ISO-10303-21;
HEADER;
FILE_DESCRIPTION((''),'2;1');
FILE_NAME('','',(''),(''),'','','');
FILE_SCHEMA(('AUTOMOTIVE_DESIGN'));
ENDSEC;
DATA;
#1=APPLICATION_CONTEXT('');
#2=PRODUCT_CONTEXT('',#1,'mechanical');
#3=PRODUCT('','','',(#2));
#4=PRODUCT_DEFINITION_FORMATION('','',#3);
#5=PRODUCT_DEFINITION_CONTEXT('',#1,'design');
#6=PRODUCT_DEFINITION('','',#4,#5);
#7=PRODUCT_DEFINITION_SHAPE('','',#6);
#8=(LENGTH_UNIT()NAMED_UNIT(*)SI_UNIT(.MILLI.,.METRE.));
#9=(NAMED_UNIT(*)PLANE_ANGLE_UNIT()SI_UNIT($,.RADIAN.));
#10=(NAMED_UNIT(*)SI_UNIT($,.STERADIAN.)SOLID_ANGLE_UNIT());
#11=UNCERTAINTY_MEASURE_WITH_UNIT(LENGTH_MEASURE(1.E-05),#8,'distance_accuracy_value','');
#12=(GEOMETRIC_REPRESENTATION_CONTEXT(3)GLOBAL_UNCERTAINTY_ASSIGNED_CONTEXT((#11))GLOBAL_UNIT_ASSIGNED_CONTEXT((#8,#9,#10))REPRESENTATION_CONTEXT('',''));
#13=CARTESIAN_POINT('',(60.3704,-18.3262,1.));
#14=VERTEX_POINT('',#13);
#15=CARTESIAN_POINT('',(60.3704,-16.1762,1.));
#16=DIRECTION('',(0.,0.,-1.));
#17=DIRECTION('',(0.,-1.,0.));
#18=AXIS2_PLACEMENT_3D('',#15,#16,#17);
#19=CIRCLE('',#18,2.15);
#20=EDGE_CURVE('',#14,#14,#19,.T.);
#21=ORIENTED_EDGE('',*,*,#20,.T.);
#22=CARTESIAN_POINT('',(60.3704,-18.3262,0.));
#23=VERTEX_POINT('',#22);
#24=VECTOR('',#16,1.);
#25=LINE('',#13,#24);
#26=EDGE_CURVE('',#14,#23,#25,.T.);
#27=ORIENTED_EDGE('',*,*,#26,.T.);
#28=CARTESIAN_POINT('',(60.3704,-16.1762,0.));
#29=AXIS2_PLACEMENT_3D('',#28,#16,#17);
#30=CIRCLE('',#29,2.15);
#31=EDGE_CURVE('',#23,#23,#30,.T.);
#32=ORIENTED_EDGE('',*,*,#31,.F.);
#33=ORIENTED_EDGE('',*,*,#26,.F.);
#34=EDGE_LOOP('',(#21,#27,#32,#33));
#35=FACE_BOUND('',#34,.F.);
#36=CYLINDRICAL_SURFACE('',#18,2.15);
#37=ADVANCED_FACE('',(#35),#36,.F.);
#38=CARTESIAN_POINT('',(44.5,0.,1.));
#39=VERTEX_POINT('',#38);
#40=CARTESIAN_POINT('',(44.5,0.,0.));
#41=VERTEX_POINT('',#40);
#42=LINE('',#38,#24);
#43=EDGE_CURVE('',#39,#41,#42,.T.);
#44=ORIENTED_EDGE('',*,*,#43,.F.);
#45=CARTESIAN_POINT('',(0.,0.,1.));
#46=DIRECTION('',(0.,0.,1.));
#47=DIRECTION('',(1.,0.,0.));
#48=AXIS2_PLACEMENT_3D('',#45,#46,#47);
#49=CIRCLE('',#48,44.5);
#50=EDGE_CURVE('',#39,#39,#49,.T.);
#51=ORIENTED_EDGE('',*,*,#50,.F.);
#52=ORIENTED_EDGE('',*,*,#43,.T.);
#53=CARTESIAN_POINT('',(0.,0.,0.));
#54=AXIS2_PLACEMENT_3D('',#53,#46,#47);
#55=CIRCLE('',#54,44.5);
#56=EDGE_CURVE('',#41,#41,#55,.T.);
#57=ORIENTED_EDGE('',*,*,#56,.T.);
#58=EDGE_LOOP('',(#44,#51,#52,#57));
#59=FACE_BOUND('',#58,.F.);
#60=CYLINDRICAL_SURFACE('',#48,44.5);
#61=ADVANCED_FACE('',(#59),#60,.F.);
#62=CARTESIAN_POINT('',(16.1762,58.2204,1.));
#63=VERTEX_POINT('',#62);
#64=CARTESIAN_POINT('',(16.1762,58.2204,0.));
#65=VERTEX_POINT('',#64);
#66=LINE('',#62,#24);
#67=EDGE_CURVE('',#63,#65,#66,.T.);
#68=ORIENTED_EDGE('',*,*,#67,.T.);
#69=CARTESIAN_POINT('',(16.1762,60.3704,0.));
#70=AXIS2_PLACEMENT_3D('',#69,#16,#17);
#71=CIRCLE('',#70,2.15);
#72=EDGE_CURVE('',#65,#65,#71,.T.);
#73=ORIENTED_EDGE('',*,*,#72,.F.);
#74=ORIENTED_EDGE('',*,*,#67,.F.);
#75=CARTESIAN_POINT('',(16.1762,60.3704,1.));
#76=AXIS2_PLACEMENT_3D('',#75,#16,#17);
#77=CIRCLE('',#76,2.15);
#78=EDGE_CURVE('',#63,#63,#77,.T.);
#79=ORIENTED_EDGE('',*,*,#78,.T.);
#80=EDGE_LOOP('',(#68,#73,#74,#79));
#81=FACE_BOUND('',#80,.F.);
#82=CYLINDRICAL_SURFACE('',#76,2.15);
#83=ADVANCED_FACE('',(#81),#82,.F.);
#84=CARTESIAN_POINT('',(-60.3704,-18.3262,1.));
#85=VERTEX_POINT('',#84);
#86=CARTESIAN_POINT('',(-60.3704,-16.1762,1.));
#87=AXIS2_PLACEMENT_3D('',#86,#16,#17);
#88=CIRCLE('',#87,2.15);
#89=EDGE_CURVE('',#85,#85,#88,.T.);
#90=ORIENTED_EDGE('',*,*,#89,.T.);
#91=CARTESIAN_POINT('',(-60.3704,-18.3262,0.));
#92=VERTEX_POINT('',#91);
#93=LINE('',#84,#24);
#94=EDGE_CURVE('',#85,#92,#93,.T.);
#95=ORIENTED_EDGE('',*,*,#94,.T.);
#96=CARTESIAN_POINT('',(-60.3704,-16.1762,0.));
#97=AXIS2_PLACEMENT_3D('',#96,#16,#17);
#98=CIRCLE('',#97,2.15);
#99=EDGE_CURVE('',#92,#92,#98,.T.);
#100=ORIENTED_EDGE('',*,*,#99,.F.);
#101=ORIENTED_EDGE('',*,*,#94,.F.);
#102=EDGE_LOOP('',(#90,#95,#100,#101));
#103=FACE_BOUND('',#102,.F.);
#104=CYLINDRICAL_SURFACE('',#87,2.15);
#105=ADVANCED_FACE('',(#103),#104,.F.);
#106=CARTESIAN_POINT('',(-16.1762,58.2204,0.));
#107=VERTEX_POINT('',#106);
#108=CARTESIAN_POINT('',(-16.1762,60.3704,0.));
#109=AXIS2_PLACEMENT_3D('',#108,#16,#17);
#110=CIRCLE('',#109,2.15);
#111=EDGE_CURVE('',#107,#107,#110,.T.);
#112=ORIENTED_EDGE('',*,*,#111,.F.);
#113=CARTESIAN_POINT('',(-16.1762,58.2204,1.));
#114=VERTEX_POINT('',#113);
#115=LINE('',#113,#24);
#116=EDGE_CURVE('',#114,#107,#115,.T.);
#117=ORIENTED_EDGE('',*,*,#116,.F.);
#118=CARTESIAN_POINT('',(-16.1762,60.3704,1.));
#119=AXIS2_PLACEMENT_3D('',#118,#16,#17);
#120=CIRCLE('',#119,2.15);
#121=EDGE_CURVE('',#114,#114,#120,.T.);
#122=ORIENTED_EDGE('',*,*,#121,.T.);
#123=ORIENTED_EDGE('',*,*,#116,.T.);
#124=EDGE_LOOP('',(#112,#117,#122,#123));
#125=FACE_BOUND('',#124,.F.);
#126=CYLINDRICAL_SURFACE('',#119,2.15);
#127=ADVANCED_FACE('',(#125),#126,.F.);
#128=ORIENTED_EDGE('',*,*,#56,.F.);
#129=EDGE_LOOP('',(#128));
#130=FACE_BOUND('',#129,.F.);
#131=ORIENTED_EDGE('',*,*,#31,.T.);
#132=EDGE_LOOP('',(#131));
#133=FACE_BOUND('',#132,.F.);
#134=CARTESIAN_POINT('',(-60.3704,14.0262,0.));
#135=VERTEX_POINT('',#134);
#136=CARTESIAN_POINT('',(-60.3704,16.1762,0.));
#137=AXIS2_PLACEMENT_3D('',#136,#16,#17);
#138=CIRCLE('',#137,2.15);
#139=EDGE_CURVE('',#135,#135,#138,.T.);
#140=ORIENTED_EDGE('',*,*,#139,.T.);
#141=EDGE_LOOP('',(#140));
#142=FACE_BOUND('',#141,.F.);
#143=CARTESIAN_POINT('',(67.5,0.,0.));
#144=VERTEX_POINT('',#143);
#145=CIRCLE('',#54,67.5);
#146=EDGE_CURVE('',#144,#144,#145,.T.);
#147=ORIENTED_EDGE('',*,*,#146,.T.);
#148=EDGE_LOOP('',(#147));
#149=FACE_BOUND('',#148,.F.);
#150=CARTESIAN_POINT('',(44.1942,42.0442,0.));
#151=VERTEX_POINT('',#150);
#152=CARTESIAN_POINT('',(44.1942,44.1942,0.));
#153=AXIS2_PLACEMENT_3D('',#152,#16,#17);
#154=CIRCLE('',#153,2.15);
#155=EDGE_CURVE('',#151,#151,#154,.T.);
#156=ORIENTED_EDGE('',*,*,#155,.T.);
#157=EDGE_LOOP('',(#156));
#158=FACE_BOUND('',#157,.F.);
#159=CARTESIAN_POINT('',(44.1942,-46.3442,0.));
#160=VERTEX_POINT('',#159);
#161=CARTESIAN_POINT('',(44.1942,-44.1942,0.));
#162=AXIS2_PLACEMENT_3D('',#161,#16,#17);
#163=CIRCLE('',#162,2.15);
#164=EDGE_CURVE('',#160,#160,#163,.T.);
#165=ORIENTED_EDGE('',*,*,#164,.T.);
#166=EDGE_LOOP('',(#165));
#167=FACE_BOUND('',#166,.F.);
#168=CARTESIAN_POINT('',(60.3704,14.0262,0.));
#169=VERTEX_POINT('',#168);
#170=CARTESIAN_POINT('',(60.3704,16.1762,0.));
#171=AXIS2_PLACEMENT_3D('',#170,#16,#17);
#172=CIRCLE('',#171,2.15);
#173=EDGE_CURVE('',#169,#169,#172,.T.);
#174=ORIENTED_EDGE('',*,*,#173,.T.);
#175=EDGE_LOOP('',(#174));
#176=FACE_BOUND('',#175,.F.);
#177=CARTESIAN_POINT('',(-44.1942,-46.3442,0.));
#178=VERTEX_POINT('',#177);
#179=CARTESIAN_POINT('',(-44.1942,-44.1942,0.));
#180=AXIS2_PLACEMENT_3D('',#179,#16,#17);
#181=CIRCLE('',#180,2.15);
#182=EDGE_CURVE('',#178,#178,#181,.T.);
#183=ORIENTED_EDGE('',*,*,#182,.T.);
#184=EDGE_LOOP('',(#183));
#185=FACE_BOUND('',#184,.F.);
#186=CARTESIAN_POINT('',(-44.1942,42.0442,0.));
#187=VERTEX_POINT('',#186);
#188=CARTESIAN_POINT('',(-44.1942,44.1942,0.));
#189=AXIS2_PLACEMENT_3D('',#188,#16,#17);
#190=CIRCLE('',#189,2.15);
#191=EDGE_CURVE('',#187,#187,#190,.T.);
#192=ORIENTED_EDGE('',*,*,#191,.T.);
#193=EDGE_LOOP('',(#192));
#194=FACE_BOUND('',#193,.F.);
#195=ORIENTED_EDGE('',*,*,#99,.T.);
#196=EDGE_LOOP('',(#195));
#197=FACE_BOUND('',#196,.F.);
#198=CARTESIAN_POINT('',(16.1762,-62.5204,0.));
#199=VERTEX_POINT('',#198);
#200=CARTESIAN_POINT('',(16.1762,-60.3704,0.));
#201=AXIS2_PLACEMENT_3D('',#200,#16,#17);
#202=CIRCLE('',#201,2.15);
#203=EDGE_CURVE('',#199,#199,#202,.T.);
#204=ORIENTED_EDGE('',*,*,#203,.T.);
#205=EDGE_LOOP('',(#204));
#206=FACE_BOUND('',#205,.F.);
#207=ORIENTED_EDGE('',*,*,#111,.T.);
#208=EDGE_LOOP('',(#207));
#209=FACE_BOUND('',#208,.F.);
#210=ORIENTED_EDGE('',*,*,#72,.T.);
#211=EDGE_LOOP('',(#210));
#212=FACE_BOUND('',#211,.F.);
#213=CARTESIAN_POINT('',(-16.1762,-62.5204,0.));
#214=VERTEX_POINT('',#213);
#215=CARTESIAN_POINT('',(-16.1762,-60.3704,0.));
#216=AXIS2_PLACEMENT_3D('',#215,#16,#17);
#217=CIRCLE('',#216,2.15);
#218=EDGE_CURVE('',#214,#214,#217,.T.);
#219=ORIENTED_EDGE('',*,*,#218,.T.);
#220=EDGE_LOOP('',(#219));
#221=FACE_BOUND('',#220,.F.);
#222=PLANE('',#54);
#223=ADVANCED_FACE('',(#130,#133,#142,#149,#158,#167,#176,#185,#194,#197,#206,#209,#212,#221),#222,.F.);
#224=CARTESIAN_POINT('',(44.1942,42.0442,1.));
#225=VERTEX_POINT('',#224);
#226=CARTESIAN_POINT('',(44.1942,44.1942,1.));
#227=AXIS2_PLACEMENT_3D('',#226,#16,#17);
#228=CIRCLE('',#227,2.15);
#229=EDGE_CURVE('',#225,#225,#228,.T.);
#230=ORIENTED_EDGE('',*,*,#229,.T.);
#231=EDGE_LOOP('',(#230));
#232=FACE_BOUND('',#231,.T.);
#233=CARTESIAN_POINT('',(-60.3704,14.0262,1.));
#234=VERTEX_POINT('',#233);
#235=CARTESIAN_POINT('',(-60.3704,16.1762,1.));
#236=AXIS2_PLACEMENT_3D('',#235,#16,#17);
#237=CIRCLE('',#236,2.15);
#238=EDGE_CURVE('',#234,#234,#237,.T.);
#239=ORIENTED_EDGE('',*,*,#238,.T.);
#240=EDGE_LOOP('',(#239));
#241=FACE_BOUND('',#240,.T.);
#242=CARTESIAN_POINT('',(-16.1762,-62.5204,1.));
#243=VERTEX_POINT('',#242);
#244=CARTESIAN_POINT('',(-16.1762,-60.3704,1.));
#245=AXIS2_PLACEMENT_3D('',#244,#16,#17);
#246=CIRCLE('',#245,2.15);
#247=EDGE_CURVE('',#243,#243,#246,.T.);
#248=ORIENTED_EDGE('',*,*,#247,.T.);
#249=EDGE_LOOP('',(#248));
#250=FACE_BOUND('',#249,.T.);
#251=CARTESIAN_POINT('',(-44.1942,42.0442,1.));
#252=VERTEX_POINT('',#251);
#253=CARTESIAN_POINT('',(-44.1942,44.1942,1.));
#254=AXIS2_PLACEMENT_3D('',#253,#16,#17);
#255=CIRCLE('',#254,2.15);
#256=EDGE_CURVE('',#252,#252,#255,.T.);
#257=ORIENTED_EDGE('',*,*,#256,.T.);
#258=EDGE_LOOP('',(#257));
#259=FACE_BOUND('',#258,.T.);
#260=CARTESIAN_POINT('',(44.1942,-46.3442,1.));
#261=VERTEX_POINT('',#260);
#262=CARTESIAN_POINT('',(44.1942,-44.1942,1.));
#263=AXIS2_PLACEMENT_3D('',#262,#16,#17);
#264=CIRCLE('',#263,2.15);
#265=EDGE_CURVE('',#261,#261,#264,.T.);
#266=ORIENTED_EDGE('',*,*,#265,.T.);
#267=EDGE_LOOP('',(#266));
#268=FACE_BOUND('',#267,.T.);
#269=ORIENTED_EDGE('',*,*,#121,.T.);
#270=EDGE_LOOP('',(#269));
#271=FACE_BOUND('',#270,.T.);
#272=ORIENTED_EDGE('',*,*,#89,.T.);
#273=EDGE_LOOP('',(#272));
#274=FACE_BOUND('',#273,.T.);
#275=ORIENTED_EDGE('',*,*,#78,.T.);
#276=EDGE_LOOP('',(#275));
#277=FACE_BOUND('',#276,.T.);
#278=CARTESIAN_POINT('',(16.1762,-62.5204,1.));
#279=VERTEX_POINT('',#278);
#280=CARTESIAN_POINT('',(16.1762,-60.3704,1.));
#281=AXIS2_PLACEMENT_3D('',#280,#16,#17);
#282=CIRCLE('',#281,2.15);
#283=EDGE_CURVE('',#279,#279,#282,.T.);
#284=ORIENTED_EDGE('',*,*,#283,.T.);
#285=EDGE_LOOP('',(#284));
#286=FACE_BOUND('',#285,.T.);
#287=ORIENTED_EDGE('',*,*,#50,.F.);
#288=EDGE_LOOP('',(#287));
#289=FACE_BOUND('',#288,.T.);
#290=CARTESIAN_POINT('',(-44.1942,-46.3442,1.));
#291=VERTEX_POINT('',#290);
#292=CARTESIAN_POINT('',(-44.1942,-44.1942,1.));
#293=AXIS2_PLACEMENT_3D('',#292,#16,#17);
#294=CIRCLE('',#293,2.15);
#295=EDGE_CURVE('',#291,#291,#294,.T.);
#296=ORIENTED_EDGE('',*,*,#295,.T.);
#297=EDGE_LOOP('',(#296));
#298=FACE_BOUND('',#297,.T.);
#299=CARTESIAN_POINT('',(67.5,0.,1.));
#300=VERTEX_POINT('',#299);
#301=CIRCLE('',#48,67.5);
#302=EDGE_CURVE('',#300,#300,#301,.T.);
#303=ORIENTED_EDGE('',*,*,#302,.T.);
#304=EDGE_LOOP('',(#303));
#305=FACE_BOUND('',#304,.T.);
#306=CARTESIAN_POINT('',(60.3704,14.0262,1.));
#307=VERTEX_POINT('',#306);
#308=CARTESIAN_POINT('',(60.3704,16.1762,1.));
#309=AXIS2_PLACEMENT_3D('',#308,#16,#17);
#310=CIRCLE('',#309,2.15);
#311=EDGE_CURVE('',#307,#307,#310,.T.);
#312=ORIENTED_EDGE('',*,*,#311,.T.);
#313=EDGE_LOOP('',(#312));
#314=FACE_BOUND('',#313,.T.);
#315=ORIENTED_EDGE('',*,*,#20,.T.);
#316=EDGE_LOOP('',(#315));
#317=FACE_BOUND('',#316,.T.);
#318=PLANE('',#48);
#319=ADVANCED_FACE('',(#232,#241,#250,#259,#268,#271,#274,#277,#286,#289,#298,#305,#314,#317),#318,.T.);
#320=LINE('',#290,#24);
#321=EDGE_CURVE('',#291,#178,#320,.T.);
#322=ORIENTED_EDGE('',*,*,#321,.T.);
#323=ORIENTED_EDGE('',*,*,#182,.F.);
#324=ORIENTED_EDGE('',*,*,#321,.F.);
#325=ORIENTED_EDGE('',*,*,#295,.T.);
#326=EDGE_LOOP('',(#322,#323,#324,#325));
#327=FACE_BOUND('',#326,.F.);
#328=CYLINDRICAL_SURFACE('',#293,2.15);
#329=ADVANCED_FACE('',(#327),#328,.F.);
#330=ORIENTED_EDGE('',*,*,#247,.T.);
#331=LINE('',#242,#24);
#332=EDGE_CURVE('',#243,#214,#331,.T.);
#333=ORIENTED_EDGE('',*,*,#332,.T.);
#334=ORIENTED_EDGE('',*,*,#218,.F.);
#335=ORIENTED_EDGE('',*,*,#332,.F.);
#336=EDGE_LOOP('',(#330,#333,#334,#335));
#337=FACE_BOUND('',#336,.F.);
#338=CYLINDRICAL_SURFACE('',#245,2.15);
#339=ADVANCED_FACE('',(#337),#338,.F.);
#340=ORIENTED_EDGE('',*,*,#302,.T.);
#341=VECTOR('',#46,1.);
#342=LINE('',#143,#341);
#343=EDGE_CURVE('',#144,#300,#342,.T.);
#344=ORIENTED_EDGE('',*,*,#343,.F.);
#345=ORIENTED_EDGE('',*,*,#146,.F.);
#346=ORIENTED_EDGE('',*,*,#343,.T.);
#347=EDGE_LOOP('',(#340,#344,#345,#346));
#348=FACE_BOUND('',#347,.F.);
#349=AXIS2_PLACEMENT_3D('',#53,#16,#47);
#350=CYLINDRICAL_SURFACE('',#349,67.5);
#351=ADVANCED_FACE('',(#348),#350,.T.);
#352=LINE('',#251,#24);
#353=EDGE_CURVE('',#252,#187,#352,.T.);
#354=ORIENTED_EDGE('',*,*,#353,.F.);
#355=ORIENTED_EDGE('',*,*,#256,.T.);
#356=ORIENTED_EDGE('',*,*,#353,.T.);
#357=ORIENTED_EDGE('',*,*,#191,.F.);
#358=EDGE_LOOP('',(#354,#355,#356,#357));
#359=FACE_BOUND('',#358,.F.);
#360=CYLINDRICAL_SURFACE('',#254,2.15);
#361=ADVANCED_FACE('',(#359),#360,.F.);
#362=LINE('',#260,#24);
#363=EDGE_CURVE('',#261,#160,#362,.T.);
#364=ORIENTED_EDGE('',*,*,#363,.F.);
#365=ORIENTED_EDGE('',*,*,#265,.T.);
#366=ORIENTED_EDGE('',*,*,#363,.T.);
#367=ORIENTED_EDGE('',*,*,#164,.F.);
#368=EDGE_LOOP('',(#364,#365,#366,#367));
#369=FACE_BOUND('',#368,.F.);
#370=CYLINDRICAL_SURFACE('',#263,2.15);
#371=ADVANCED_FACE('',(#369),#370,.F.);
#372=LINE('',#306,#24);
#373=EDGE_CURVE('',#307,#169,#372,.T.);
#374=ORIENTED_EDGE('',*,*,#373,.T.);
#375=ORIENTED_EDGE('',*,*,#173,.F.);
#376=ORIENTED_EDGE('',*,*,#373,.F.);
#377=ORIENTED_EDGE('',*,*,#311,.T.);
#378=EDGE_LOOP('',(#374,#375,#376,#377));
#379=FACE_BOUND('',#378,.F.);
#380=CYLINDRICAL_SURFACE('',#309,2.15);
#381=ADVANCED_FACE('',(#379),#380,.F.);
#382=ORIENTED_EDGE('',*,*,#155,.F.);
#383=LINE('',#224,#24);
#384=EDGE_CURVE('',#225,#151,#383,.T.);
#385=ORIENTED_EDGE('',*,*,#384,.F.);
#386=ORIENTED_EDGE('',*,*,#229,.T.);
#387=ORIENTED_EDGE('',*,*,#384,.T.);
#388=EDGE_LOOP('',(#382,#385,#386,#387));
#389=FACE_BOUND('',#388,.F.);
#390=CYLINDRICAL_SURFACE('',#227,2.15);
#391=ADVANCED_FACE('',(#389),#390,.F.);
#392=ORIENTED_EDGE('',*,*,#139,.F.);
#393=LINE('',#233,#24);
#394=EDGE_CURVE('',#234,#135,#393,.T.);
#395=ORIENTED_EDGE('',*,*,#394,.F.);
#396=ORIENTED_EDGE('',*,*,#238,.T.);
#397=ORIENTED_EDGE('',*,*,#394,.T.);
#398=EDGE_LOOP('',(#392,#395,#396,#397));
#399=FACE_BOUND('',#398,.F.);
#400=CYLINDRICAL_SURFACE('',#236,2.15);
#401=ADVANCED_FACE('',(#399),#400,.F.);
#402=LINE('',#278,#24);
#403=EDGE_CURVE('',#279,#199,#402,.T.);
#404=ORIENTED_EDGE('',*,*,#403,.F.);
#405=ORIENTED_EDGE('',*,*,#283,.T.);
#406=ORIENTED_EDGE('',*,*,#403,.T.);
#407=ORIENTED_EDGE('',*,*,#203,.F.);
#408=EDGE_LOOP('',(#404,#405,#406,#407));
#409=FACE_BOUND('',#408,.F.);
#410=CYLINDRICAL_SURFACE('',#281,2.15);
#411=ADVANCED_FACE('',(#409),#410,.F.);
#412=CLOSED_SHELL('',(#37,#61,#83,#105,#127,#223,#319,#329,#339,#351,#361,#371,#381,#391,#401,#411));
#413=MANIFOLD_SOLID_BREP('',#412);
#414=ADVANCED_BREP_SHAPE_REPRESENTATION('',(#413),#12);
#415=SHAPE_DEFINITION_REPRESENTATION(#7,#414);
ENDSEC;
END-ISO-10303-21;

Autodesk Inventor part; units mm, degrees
ref_plane "YZ Plane" through (0, 0, 0) normal (1, 0, 0) x (0, 1, 0)
ref_plane "XZ Plane" through (0, 0, 0) normal (0, 1, 0) x (-1, 0, 0)
ref_plane "XY Plane" through (0, 0, 0) normal (0, 0, 1) x (1, 0, 0)
sketch "スケッチ4" plane through (0, 0, 1) normal (0, 0, 1) x (1, 0, 0)
  circle A0 centre (16.1762, 60.3704) radius 2.15 projected
  circle A1 centre (-16.1762, 60.3704) radius 2.15 projected
  circle A2 centre (0, 0) radius 67.5 projected
  circle A3 centre (-16.1762, 60.3704) radius 5
  circle A4 centre (16.1762, 60.3704) radius 5
  circle A5 centre (0, 0) radius 62.5
  point P0 (-11.2987, 61.4702)
  point P1 (11.2987, 61.4702)
  point P2 (17.4703, 65.2)
  point P3 (-17.4703, 65.2)
sketch "スケッチ1" plane through (0, 0, 0) normal (0, 0, 1) x (1, 0, 0)
  circle A0 centre (0, 0) radius 67.5
  dimension "d0" = 135
extrude "プレート1" add sketch "スケッチ1" along normal blind 1
sketch "スケッチ2" plane through (0, 0, 1) normal (0, 0, 1) x (1, 0, 0)
  circle A0 centre (0, 0) radius 44.5
  dimension "d2" = 89
extrude "押し出し1" cut sketch "スケッチ2" against normal through all
sketch "スケッチ3" plane through (0, 0, 1) normal (0, 0, 1) x (1, 0, 0)
  circle A0 centre (0, 0) radius 62.5
  point P0 (16.1762, 60.3704)
  point P1 (-16.1762, 60.3704)
  point P2 (-44.1942, 44.1942)
  point P3 (-60.3704, 16.1762)
  point P4 (-60.3704, -16.1762)
  point P5 (-44.1942, -44.1942)
  point P6 (-16.1762, -60.3704)
  point P7 (16.1762, -60.3704)
  point P8 (44.1942, -44.1942)
  point P9 (60.3704, -16.1762)
  point P10 (60.3704, 16.1762)
  point P11 (44.1942, 44.1942)
  dimension "d5" = 125
  dimension "d8" = 360
  dimension "d23" = 0
hole "穴1" at (16.1762, 60.3704, 1) at (-16.1762, 60.3704, 1) at (-44.1942, 44.1942, 1) at (-60.3704, 16.1762, 1) at (-60.3704, -16.1762, 1) at (-44.1942, -44.1942, 1) at (-16.1762, -60.3704, 1) at (16.1762, -60.3704, 1) at (44.1942, -44.1942, 1) at (60.3704, -16.1762, 1) at (60.3704, 16.1762, 1) at (44.1942, 44.1942, 1) direction (0, 0, -1) diameter 4.3 end through all clearance for "Flat Head Machine Screw" size "M4" standard "Ansi Metric M Profile"
equation "\"d15\" = Thickness"
equation "\"d1\" = Thickness"
equation "\"BendRadius\" = Thickness"
equation "\"BendReliefWidth\" = Thickness"
equation "\"BendReliefDepth\" = 0.5 * Thickness"
equation "\"CornerReliefSize\" = 4 * Thickness"
equation "\"MinimumRemnant\" = 2 * Thickness"
equation "\"TransitionRadius\" = BendRadius"
equation "\"JacobiRadiusSize\" = BendRadius"
equation "\"GapSize\" = Thickness"
equation "\"Thickness\" = 1"
properties part number "unit-plate3" material "CFRP"
